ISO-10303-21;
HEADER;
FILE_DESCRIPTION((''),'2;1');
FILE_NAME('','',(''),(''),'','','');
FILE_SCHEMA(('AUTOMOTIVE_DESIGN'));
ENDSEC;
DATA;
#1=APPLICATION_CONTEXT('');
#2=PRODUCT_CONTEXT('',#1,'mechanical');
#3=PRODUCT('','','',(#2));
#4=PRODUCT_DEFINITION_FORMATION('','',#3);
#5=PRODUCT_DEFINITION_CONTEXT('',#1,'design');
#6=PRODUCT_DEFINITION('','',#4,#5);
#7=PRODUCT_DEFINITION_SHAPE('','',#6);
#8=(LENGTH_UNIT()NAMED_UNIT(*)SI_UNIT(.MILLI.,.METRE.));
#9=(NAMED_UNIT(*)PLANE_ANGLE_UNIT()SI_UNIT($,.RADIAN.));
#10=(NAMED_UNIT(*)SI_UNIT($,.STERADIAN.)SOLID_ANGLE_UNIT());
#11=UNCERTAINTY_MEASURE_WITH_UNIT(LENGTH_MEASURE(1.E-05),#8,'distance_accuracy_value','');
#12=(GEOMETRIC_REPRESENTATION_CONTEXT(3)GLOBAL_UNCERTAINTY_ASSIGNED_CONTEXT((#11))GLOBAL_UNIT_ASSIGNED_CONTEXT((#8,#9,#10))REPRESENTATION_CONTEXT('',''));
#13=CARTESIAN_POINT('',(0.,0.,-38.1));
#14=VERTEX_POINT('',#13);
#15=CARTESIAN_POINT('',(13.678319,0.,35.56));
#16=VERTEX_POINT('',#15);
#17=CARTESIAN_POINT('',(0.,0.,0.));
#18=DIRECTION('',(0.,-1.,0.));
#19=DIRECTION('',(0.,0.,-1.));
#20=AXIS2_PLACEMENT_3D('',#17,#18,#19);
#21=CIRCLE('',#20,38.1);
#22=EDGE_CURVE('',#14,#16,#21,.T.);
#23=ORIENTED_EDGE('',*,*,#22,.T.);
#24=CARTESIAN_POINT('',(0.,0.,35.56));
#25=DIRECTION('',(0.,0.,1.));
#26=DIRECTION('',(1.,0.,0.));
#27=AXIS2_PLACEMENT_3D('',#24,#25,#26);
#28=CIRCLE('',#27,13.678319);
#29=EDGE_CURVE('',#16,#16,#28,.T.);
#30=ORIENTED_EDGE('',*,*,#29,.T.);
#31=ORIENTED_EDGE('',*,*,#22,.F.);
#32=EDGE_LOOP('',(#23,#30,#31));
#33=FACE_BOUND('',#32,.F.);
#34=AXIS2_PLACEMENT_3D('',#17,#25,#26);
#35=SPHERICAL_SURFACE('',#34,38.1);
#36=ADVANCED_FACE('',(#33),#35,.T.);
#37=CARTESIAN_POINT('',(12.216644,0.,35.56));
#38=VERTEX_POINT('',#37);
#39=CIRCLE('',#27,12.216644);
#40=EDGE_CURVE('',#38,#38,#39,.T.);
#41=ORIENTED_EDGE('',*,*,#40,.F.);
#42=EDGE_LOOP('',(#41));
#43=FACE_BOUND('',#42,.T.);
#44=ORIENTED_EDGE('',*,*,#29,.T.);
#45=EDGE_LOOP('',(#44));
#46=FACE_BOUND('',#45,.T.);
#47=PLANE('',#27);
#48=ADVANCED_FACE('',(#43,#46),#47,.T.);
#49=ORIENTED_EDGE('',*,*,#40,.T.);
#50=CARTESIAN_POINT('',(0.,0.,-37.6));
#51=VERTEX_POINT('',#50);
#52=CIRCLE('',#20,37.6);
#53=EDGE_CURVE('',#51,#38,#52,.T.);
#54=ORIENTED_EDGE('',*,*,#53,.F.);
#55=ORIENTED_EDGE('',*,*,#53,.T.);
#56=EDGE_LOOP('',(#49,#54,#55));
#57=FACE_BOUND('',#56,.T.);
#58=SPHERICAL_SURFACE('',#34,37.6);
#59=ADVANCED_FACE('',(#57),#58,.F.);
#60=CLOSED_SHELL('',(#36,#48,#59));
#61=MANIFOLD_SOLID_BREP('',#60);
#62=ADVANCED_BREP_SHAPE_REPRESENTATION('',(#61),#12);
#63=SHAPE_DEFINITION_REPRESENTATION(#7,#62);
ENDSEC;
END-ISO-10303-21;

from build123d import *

# Parameters (mm, degrees)
F3_W     = 33.02
F3_H     = 33.02
F4_DEPTH = 25.4
F5_T     = -0.5


with BuildPart() as f1:
    # F0 (on Front) → F1 (revolve)
    with BuildSketch(Plane.XZ):
        with BuildLine():
            Line((0, 38.1), (0, -38.1))
            ThreePointArc((0, -38.1), (38.1, 0), (0, 38.1))
        make_face()
    revolve(axis=Axis((0, 0, 0), (0, 0, -1)))

    # F3 (on offset) → F4 (cut)
    with BuildSketch(Plane.XY.offset(35.56)):
        Rectangle(F3_W, F3_H)
    extrude(amount=F4_DEPTH, mode=Mode.SUBTRACT)

    # F5
    f5_openings = [f1.faces().sort_by_distance(p)[0] for p in [
        (0, 0, 35.56),
    ]]
    offset(amount=F5_T, openings=f5_openings)


solid = f1.part
